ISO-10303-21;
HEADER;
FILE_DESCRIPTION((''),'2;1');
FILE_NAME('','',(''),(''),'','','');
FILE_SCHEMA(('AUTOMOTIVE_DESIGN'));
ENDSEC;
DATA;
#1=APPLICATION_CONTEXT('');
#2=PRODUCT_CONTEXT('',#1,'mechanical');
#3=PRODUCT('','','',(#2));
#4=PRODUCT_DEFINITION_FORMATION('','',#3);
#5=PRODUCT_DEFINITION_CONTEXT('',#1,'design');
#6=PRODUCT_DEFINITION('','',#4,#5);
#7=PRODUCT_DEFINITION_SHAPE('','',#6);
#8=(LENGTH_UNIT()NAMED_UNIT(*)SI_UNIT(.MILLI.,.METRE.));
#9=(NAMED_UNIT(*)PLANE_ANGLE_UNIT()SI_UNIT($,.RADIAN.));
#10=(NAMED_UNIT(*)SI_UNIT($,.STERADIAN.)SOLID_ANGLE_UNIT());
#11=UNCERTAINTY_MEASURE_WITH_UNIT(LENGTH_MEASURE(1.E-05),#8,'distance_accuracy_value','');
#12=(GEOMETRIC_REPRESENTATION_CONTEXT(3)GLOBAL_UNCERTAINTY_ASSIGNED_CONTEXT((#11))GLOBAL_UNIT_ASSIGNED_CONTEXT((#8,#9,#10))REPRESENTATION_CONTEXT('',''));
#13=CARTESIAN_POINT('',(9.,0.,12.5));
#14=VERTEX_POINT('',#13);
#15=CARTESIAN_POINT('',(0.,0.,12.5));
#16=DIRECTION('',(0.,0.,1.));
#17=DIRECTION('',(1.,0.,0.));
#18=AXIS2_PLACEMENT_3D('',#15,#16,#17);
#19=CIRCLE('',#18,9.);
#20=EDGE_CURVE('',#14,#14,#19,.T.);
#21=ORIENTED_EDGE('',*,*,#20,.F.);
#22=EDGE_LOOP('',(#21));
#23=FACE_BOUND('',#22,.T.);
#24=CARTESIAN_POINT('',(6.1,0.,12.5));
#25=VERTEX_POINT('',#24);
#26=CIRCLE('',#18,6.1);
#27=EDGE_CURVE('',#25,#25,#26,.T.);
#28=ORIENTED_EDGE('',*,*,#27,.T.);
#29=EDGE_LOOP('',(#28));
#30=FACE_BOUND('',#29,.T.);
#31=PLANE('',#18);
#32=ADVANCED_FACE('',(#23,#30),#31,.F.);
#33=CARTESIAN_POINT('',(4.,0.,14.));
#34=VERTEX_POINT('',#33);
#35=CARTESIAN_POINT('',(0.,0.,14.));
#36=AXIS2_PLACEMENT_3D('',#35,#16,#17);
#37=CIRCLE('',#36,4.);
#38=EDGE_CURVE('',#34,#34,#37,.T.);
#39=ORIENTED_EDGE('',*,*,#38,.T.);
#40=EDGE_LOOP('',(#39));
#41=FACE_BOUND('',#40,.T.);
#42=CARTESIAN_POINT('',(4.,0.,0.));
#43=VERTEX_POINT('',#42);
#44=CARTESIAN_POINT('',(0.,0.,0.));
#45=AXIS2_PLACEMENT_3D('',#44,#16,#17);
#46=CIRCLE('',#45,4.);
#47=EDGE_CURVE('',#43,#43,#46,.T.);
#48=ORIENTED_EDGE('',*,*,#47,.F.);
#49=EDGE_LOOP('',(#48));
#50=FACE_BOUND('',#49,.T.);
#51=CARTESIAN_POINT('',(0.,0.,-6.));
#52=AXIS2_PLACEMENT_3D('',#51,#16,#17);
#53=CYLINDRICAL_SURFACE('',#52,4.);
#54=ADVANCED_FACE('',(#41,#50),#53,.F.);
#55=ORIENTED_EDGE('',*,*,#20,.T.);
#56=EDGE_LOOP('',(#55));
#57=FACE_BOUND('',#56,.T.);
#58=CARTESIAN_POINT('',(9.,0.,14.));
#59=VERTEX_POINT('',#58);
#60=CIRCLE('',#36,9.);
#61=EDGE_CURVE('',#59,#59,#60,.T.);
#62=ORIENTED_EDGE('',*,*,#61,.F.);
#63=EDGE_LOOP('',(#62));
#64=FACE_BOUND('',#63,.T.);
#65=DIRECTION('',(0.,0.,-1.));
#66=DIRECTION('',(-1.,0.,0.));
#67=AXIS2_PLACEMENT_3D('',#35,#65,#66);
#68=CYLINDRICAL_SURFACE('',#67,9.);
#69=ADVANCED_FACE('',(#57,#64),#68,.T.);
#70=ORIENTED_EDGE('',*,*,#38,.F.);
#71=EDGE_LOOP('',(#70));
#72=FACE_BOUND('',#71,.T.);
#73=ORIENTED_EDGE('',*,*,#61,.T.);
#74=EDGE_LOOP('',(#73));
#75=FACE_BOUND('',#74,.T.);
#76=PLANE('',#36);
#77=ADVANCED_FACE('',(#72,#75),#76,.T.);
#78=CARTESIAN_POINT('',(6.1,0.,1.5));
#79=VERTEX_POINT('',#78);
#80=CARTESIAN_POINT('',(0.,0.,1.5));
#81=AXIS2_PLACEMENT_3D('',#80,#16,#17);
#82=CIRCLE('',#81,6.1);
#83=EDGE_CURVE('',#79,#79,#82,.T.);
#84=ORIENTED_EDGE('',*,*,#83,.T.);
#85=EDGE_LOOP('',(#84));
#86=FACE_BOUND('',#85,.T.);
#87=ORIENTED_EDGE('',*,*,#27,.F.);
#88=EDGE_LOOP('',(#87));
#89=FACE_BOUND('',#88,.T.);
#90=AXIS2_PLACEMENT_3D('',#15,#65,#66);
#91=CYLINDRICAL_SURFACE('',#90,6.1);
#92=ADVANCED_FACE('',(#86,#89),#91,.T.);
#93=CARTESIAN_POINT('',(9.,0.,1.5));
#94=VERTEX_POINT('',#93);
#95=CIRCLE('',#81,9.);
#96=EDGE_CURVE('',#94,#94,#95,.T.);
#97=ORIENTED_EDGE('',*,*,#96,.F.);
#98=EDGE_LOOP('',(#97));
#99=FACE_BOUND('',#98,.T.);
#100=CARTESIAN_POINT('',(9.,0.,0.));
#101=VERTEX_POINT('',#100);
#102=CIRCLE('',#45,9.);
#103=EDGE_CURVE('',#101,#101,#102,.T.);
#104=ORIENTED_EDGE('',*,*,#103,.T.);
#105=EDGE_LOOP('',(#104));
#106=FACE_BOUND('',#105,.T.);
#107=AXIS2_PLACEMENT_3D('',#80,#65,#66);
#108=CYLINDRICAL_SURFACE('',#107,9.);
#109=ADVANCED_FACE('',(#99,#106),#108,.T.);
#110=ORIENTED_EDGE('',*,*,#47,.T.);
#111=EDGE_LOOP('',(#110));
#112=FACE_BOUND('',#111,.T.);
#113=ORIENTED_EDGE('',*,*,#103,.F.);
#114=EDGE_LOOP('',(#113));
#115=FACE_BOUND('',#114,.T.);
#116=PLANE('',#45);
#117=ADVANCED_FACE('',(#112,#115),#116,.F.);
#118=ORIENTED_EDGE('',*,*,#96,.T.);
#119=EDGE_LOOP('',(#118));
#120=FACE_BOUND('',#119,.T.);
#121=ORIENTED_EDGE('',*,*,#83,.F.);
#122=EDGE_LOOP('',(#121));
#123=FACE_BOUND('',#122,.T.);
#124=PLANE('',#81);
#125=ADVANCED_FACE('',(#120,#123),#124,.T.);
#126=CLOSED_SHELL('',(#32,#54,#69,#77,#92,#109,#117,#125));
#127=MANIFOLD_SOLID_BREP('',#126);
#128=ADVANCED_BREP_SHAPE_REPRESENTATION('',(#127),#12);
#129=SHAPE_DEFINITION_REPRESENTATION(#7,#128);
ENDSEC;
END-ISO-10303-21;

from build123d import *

# Parameters (mm, degrees)
SKETCH2_R           = 9
BOSS_EXTRUDE1_DEPTH = 1.5
SKETCH3_R           = 6.1
BOSS_EXTRUDE2_DEPTH = 11
SKETCH4_R           = 9
BOSS_EXTRUDE3_DEPTH = 1.5
SKETCH5_R           = 4
CUT_EXTRUDE1_DEPTH  = 20


with BuildPart() as part:
    # Sketch2 → Boss-Extrude1 (new body)
    with BuildSketch(Plane.XY):
        Circle(SKETCH2_R)
    extrude(amount=BOSS_EXTRUDE1_DEPTH)

    # Sketch3 → Boss-Extrude2 (add)
    with BuildSketch(Plane.XY.offset(1.5)):
        Circle(SKETCH3_R)
    extrude(amount=BOSS_EXTRUDE2_DEPTH)

    # Sketch4 → Boss-Extrude3 (add)
    with BuildSketch(Plane.XY.offset(12.5)):
        Circle(SKETCH4_R)
    extrude(amount=BOSS_EXTRUDE3_DEPTH)

    # Sketch5 → Cut-Extrude1 (cut)
    with BuildSketch(Plane.XY.offset(14)):
        Circle(SKETCH5_R)
    extrude(amount=-CUT_EXTRUDE1_DEPTH, mode=Mode.SUBTRACT)


solid = part.part
